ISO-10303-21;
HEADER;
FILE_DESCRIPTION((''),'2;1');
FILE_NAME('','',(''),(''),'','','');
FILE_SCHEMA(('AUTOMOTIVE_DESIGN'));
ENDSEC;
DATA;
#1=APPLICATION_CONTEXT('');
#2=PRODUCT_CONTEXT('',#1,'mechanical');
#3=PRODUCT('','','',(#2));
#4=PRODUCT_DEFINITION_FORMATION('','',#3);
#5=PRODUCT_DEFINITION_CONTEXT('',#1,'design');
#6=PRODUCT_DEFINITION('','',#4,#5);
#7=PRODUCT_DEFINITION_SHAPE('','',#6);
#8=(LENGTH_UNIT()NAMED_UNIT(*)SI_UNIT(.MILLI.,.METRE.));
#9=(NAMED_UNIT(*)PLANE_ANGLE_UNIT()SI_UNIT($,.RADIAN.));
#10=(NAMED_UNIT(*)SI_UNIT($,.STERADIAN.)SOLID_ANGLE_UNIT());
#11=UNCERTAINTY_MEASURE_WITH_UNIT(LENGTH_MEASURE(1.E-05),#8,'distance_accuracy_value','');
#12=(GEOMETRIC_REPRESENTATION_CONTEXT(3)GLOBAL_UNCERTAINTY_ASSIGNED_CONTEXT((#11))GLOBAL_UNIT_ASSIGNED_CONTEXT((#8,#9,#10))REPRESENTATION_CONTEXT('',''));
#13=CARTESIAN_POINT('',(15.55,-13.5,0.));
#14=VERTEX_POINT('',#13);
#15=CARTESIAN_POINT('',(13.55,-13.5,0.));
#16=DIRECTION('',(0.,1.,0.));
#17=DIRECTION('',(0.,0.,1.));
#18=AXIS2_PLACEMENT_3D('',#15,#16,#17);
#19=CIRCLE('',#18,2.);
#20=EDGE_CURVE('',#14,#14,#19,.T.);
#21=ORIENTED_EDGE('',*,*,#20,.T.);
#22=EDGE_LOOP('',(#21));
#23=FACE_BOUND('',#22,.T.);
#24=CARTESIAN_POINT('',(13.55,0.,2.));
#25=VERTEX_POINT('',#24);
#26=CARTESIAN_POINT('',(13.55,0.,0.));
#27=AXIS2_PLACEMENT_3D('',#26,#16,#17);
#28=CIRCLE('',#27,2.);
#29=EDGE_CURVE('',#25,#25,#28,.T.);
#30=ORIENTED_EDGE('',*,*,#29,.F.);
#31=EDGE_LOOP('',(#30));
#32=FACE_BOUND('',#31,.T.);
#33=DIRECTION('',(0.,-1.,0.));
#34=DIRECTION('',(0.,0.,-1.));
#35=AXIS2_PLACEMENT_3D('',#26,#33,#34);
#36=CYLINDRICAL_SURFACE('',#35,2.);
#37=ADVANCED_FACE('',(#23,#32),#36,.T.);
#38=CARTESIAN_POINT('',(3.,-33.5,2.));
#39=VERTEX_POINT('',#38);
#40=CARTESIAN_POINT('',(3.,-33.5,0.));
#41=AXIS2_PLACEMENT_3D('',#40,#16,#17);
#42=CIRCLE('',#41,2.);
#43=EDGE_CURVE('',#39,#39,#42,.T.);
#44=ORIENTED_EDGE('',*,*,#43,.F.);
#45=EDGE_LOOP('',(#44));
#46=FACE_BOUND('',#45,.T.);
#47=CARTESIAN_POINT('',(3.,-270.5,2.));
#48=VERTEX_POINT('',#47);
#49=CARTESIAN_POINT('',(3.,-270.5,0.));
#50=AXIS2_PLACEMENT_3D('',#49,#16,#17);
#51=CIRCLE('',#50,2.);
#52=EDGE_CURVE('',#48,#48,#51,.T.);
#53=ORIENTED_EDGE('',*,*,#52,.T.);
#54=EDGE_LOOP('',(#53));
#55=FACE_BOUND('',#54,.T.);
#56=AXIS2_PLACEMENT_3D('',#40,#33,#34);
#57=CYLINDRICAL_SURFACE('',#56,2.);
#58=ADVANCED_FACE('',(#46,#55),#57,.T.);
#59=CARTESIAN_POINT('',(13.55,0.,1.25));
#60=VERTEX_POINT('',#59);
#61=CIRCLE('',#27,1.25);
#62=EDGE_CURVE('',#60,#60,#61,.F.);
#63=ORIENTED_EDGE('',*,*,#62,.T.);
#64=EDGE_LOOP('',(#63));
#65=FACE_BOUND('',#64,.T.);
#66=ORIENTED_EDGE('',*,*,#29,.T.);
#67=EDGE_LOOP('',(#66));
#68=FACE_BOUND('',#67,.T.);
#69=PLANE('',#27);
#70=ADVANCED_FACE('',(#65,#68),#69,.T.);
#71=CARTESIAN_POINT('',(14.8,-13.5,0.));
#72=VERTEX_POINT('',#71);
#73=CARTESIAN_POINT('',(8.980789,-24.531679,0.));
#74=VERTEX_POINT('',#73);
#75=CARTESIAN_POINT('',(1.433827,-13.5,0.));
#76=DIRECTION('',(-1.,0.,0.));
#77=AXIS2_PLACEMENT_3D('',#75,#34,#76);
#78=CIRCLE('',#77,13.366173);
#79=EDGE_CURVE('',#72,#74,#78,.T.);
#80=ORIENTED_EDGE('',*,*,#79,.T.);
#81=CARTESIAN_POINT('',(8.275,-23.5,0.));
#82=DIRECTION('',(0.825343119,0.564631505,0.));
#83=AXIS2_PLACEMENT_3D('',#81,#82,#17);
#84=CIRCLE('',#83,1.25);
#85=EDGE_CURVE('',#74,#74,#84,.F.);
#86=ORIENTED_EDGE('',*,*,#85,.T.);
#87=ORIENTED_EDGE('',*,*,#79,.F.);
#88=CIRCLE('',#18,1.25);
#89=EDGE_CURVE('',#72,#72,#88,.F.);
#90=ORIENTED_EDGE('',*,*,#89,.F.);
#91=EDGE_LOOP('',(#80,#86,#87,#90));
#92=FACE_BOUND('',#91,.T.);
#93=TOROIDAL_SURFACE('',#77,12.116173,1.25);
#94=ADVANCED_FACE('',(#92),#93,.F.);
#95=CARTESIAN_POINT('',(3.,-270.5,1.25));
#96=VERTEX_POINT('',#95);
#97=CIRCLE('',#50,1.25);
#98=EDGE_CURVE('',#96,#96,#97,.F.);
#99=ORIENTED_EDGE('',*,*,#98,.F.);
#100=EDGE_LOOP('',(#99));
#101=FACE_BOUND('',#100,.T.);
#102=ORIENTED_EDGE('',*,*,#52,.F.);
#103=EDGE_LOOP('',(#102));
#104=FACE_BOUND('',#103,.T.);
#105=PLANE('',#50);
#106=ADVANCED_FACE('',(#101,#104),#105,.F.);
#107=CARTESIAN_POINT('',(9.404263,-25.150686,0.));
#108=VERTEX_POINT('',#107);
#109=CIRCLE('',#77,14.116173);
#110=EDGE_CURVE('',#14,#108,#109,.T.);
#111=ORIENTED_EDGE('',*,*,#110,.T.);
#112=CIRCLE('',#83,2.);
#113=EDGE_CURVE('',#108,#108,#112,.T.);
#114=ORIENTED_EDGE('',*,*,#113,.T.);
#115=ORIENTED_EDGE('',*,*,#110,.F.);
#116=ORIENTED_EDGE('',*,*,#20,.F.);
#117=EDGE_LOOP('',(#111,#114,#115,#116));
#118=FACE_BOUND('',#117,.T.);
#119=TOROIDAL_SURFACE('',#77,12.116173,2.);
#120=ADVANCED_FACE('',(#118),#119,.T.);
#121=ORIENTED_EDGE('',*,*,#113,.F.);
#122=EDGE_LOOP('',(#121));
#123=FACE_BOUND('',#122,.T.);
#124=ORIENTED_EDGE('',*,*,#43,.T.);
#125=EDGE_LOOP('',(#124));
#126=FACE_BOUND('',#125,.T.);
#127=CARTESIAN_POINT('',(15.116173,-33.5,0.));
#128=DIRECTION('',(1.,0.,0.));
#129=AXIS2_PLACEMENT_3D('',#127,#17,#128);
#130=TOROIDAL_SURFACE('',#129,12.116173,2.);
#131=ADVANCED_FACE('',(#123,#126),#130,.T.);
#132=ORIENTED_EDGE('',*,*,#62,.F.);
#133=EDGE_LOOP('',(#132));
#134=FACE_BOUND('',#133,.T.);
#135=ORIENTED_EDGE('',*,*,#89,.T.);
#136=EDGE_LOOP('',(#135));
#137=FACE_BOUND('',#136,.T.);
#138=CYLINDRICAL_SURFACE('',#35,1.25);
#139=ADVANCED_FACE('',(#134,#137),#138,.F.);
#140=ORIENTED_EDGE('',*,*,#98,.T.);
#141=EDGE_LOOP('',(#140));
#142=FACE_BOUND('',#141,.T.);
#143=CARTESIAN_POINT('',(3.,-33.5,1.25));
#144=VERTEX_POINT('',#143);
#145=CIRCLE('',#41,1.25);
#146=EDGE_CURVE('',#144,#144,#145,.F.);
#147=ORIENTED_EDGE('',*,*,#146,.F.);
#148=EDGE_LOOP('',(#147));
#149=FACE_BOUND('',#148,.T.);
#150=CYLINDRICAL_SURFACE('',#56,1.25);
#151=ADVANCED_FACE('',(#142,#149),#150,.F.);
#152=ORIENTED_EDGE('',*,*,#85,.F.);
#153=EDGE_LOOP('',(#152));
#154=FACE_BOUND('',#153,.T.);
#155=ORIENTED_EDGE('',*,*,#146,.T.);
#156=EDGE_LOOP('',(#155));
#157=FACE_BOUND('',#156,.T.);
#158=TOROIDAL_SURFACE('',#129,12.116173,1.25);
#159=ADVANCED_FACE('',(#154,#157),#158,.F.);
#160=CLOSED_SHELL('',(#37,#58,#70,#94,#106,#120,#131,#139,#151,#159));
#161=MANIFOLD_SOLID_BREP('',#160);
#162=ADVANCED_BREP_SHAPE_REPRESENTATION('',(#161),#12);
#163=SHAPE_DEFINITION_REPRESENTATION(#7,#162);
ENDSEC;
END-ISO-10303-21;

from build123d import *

# Parameters (mm, degrees)
UTILITY_CIRCULAR_CROSS_SECTION_R   = 2
UTILITY_CIRCULAR_CROSS_SECTION_R_2 = 1.25


with BuildPart() as part:
    # Native hollow utility sweep: sweep along a path in Illustrative smooth utility route
    with BuildLine(Plane.XY) as native_hollow_utility_sweep_path:
        Line((13.55, 0), (13.55, -13.5))
        ThreePointArc((13.55, -13.5), (12.150414231, -19.152999757), (8.275, -23.5))
        ThreePointArc((8.275, -23.5), (4.399585769, -27.847000243), (3, -33.5))
        Line((3, -33.5), (3, -270.5))
    # Utility circular cross section → Native hollow utility sweep (sweep)
    with BuildSketch(Plane(origin=(0, 0, 0), x_dir=(1, 0, 0), z_dir=(0, 1, 0))):
        with Locations((13.55, 0)):
            Circle(UTILITY_CIRCULAR_CROSS_SECTION_R)
        with Locations((13.55, 0)):
            Circle(UTILITY_CIRCULAR_CROSS_SECTION_R_2, mode=Mode.SUBTRACT)
    sweep(path=native_hollow_utility_sweep_path.line)


solid = part.part
